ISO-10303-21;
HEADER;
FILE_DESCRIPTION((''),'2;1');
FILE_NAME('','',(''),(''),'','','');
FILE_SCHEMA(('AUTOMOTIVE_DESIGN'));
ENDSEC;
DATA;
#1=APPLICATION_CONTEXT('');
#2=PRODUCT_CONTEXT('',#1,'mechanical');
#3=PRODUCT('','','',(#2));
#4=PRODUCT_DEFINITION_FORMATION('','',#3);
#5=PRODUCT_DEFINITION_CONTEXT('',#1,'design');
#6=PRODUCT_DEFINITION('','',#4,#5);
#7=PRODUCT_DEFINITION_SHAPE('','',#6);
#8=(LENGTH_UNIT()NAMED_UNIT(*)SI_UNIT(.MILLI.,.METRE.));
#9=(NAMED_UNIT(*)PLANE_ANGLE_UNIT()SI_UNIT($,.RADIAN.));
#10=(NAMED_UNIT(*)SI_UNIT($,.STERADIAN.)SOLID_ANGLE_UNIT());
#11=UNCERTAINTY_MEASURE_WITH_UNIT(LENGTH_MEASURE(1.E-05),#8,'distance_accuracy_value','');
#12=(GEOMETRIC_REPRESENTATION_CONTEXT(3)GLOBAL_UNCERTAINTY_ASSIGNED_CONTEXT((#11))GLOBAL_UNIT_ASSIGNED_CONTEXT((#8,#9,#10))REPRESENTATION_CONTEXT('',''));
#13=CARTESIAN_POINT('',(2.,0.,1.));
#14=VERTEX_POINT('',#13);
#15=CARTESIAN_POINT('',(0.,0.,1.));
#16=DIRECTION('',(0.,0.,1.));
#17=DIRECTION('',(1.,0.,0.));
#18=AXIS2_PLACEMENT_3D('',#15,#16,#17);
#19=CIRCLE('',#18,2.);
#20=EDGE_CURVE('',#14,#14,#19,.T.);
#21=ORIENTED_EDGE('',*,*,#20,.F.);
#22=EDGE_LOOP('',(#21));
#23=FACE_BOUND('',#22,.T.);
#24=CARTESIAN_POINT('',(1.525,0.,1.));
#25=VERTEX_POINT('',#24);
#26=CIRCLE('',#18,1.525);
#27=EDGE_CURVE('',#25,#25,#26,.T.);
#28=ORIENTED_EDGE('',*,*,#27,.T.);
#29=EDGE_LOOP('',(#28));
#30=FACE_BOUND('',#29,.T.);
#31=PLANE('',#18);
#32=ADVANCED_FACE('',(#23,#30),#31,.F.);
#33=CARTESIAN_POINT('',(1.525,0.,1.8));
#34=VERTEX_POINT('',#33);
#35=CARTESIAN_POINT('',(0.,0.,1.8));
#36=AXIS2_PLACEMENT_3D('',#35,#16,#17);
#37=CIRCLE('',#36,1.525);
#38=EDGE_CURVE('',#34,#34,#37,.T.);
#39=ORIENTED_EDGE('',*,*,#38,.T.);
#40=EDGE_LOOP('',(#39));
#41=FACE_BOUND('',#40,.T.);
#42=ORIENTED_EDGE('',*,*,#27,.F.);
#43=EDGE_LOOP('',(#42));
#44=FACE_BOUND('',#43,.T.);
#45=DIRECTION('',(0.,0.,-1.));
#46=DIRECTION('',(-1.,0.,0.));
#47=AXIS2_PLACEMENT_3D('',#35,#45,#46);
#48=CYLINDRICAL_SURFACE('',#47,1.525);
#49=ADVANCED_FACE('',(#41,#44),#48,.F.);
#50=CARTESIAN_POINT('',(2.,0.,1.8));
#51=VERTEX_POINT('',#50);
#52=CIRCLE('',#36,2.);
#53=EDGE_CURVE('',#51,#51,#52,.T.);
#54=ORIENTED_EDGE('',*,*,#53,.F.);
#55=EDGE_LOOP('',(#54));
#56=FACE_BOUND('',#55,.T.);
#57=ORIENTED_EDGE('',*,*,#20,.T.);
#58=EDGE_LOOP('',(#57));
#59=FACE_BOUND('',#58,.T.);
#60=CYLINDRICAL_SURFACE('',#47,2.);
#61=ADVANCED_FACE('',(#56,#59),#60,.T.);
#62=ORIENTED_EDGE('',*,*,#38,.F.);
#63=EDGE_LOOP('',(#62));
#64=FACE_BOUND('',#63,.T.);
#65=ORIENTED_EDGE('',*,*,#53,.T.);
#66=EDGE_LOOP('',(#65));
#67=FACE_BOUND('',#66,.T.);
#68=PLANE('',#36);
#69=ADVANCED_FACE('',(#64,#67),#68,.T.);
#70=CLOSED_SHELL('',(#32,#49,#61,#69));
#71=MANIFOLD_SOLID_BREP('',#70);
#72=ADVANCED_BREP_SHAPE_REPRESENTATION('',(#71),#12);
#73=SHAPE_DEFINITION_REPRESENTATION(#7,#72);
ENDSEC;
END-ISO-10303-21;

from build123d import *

# Parameters (mm, degrees)
INNER_RACE_SPACER_H0P8_START = 1
SKETCH1_R                    = 2
SKETCH1_R_2                  = 1.525
INNER_RACE_SPACER_H0P8_DEPTH = 0.8


with BuildPart() as part:
    # Sketch1 → Inner_Race_Spacer_H0p8 (new body)
    with BuildSketch(Plane.XY.offset(INNER_RACE_SPACER_H0P8_START)):
        Circle(SKETCH1_R)
        Circle(SKETCH1_R_2, mode=Mode.SUBTRACT)
    extrude(amount=INNER_RACE_SPACER_H0P8_DEPTH)


solid = part.part
